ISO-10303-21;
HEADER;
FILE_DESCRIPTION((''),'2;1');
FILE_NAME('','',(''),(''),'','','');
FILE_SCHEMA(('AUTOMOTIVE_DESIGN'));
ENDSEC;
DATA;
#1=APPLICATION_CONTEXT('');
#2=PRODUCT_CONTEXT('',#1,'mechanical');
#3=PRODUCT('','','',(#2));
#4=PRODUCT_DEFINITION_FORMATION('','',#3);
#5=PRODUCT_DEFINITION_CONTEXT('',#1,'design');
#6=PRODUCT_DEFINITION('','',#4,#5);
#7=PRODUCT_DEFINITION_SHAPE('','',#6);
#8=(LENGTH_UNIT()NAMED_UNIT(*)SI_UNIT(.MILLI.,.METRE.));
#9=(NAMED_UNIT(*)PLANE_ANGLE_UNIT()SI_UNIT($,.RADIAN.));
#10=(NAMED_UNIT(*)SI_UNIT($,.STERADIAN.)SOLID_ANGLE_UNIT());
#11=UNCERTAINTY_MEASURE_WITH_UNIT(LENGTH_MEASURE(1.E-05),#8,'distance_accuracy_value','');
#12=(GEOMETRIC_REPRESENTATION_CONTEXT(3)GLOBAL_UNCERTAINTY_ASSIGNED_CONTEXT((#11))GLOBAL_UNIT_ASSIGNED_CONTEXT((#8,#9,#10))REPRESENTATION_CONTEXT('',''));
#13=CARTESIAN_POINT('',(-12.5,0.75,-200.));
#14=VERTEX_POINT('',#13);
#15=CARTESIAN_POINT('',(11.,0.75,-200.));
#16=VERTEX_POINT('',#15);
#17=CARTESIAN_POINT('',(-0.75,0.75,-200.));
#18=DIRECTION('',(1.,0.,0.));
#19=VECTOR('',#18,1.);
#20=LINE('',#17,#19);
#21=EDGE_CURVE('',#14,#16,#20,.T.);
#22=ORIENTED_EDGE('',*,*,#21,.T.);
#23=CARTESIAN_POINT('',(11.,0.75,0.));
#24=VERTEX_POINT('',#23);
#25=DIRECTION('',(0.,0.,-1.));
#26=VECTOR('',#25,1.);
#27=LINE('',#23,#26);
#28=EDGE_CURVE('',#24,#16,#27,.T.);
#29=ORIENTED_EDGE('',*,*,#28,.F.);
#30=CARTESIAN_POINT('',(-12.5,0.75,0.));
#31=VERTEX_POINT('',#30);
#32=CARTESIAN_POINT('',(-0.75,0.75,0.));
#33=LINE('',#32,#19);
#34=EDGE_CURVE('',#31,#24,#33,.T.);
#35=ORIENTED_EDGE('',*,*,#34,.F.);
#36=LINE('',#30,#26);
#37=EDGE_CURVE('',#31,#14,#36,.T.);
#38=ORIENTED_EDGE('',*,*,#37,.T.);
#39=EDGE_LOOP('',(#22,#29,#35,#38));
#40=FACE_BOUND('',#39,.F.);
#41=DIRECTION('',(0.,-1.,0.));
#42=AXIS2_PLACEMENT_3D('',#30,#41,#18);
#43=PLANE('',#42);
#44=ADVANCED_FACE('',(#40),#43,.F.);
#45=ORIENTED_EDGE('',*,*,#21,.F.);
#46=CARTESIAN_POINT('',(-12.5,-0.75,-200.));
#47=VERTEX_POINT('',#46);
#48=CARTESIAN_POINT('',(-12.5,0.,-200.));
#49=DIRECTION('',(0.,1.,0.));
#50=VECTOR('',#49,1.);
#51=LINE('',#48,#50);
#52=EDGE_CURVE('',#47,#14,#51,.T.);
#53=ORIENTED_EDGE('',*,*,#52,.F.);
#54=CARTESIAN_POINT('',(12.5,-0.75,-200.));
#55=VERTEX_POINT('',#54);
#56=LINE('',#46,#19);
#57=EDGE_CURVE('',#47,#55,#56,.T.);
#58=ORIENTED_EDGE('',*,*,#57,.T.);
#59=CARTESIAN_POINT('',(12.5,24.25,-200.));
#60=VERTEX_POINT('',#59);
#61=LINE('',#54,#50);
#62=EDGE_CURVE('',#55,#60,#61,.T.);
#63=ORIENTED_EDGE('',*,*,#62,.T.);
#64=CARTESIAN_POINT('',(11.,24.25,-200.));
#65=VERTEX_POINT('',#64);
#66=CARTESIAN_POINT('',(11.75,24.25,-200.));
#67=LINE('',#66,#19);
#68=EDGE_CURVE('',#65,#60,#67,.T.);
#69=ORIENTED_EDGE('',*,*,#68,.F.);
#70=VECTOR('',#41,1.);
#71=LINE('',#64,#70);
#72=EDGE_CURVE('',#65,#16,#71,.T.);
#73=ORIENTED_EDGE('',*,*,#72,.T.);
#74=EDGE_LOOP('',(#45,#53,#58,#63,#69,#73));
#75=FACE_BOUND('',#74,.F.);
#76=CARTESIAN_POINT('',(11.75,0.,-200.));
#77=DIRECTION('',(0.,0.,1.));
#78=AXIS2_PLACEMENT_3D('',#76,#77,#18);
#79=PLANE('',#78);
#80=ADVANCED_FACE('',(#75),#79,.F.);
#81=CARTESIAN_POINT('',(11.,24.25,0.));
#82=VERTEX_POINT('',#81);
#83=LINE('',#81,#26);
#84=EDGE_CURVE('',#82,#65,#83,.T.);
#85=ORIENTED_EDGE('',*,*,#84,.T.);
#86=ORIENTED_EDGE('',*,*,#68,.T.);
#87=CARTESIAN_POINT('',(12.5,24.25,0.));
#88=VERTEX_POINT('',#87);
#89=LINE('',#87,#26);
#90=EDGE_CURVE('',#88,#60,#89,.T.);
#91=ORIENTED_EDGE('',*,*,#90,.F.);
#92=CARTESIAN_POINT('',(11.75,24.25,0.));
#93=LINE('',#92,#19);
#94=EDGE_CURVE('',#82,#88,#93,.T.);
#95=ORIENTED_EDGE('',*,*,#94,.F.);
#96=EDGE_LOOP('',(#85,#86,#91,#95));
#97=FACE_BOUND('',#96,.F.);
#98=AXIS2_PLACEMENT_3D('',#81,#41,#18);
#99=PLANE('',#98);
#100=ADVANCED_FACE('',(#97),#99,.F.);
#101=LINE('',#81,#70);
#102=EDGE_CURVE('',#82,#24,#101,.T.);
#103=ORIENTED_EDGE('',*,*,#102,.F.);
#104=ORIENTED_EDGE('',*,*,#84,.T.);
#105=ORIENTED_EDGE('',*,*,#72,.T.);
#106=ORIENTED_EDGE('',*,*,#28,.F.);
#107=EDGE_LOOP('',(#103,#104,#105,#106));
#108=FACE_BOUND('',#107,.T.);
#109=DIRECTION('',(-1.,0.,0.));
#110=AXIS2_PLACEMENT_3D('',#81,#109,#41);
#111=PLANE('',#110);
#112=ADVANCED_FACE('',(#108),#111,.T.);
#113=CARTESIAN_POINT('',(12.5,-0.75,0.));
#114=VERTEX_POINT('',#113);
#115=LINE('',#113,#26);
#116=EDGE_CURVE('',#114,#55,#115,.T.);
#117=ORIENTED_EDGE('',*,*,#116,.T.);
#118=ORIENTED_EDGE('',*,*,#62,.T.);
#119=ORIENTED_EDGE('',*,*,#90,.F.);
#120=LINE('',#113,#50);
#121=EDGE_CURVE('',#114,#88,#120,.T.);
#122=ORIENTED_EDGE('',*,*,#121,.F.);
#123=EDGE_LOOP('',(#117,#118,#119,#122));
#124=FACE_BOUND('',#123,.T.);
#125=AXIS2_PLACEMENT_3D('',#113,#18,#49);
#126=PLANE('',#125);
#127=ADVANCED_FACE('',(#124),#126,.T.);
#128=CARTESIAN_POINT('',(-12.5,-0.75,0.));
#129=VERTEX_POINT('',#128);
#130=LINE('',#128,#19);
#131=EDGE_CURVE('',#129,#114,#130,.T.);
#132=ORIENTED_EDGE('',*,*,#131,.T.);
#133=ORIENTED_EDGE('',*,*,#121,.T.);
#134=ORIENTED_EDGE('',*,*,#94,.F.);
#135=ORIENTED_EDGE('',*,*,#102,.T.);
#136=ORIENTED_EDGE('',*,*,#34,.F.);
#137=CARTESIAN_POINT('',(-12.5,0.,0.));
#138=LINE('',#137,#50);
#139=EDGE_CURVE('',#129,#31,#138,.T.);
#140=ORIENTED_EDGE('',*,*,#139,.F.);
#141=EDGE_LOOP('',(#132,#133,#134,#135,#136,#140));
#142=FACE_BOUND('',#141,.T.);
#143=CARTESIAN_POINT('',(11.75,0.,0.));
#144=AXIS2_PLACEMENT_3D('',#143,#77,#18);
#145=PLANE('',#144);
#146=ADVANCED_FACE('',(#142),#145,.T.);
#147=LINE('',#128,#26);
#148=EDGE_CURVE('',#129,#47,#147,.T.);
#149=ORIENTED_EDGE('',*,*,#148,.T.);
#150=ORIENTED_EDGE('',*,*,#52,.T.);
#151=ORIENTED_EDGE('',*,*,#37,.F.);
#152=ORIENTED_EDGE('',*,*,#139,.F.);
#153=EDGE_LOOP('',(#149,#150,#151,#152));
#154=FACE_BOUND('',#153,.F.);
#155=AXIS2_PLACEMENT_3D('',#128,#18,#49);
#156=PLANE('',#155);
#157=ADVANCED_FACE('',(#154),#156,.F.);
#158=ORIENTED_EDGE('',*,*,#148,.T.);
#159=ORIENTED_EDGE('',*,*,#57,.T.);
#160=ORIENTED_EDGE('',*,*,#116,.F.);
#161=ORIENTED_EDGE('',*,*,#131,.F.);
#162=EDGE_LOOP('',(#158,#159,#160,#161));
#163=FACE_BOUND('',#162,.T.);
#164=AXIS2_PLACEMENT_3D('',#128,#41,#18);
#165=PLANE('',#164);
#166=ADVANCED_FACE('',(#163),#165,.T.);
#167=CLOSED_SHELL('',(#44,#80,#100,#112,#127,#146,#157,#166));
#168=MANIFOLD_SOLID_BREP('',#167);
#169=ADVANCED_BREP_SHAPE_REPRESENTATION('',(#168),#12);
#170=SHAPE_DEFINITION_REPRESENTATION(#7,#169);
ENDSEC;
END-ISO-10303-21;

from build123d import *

# Parameters (mm, degrees)
F0_W     = 1.5
F0_H     = 1.5
F0_H_2   = 23.5
F0_W_2   = 23.5
F1_DEPTH = 200


with BuildPart() as f1:
    # F0 (on Top) → F1 (new body)
    with BuildSketch(Plane.XY):
        with Locations((11.75, 0)):
            Rectangle(F0_W, F0_H)
        with Locations((11.75, 12.5)):
            Rectangle(F0_W, F0_H_2)
        with Locations((-0.75, 0)):
            Rectangle(F0_W_2, F0_H)
    extrude(amount=-F1_DEPTH)


solid = f1.part
